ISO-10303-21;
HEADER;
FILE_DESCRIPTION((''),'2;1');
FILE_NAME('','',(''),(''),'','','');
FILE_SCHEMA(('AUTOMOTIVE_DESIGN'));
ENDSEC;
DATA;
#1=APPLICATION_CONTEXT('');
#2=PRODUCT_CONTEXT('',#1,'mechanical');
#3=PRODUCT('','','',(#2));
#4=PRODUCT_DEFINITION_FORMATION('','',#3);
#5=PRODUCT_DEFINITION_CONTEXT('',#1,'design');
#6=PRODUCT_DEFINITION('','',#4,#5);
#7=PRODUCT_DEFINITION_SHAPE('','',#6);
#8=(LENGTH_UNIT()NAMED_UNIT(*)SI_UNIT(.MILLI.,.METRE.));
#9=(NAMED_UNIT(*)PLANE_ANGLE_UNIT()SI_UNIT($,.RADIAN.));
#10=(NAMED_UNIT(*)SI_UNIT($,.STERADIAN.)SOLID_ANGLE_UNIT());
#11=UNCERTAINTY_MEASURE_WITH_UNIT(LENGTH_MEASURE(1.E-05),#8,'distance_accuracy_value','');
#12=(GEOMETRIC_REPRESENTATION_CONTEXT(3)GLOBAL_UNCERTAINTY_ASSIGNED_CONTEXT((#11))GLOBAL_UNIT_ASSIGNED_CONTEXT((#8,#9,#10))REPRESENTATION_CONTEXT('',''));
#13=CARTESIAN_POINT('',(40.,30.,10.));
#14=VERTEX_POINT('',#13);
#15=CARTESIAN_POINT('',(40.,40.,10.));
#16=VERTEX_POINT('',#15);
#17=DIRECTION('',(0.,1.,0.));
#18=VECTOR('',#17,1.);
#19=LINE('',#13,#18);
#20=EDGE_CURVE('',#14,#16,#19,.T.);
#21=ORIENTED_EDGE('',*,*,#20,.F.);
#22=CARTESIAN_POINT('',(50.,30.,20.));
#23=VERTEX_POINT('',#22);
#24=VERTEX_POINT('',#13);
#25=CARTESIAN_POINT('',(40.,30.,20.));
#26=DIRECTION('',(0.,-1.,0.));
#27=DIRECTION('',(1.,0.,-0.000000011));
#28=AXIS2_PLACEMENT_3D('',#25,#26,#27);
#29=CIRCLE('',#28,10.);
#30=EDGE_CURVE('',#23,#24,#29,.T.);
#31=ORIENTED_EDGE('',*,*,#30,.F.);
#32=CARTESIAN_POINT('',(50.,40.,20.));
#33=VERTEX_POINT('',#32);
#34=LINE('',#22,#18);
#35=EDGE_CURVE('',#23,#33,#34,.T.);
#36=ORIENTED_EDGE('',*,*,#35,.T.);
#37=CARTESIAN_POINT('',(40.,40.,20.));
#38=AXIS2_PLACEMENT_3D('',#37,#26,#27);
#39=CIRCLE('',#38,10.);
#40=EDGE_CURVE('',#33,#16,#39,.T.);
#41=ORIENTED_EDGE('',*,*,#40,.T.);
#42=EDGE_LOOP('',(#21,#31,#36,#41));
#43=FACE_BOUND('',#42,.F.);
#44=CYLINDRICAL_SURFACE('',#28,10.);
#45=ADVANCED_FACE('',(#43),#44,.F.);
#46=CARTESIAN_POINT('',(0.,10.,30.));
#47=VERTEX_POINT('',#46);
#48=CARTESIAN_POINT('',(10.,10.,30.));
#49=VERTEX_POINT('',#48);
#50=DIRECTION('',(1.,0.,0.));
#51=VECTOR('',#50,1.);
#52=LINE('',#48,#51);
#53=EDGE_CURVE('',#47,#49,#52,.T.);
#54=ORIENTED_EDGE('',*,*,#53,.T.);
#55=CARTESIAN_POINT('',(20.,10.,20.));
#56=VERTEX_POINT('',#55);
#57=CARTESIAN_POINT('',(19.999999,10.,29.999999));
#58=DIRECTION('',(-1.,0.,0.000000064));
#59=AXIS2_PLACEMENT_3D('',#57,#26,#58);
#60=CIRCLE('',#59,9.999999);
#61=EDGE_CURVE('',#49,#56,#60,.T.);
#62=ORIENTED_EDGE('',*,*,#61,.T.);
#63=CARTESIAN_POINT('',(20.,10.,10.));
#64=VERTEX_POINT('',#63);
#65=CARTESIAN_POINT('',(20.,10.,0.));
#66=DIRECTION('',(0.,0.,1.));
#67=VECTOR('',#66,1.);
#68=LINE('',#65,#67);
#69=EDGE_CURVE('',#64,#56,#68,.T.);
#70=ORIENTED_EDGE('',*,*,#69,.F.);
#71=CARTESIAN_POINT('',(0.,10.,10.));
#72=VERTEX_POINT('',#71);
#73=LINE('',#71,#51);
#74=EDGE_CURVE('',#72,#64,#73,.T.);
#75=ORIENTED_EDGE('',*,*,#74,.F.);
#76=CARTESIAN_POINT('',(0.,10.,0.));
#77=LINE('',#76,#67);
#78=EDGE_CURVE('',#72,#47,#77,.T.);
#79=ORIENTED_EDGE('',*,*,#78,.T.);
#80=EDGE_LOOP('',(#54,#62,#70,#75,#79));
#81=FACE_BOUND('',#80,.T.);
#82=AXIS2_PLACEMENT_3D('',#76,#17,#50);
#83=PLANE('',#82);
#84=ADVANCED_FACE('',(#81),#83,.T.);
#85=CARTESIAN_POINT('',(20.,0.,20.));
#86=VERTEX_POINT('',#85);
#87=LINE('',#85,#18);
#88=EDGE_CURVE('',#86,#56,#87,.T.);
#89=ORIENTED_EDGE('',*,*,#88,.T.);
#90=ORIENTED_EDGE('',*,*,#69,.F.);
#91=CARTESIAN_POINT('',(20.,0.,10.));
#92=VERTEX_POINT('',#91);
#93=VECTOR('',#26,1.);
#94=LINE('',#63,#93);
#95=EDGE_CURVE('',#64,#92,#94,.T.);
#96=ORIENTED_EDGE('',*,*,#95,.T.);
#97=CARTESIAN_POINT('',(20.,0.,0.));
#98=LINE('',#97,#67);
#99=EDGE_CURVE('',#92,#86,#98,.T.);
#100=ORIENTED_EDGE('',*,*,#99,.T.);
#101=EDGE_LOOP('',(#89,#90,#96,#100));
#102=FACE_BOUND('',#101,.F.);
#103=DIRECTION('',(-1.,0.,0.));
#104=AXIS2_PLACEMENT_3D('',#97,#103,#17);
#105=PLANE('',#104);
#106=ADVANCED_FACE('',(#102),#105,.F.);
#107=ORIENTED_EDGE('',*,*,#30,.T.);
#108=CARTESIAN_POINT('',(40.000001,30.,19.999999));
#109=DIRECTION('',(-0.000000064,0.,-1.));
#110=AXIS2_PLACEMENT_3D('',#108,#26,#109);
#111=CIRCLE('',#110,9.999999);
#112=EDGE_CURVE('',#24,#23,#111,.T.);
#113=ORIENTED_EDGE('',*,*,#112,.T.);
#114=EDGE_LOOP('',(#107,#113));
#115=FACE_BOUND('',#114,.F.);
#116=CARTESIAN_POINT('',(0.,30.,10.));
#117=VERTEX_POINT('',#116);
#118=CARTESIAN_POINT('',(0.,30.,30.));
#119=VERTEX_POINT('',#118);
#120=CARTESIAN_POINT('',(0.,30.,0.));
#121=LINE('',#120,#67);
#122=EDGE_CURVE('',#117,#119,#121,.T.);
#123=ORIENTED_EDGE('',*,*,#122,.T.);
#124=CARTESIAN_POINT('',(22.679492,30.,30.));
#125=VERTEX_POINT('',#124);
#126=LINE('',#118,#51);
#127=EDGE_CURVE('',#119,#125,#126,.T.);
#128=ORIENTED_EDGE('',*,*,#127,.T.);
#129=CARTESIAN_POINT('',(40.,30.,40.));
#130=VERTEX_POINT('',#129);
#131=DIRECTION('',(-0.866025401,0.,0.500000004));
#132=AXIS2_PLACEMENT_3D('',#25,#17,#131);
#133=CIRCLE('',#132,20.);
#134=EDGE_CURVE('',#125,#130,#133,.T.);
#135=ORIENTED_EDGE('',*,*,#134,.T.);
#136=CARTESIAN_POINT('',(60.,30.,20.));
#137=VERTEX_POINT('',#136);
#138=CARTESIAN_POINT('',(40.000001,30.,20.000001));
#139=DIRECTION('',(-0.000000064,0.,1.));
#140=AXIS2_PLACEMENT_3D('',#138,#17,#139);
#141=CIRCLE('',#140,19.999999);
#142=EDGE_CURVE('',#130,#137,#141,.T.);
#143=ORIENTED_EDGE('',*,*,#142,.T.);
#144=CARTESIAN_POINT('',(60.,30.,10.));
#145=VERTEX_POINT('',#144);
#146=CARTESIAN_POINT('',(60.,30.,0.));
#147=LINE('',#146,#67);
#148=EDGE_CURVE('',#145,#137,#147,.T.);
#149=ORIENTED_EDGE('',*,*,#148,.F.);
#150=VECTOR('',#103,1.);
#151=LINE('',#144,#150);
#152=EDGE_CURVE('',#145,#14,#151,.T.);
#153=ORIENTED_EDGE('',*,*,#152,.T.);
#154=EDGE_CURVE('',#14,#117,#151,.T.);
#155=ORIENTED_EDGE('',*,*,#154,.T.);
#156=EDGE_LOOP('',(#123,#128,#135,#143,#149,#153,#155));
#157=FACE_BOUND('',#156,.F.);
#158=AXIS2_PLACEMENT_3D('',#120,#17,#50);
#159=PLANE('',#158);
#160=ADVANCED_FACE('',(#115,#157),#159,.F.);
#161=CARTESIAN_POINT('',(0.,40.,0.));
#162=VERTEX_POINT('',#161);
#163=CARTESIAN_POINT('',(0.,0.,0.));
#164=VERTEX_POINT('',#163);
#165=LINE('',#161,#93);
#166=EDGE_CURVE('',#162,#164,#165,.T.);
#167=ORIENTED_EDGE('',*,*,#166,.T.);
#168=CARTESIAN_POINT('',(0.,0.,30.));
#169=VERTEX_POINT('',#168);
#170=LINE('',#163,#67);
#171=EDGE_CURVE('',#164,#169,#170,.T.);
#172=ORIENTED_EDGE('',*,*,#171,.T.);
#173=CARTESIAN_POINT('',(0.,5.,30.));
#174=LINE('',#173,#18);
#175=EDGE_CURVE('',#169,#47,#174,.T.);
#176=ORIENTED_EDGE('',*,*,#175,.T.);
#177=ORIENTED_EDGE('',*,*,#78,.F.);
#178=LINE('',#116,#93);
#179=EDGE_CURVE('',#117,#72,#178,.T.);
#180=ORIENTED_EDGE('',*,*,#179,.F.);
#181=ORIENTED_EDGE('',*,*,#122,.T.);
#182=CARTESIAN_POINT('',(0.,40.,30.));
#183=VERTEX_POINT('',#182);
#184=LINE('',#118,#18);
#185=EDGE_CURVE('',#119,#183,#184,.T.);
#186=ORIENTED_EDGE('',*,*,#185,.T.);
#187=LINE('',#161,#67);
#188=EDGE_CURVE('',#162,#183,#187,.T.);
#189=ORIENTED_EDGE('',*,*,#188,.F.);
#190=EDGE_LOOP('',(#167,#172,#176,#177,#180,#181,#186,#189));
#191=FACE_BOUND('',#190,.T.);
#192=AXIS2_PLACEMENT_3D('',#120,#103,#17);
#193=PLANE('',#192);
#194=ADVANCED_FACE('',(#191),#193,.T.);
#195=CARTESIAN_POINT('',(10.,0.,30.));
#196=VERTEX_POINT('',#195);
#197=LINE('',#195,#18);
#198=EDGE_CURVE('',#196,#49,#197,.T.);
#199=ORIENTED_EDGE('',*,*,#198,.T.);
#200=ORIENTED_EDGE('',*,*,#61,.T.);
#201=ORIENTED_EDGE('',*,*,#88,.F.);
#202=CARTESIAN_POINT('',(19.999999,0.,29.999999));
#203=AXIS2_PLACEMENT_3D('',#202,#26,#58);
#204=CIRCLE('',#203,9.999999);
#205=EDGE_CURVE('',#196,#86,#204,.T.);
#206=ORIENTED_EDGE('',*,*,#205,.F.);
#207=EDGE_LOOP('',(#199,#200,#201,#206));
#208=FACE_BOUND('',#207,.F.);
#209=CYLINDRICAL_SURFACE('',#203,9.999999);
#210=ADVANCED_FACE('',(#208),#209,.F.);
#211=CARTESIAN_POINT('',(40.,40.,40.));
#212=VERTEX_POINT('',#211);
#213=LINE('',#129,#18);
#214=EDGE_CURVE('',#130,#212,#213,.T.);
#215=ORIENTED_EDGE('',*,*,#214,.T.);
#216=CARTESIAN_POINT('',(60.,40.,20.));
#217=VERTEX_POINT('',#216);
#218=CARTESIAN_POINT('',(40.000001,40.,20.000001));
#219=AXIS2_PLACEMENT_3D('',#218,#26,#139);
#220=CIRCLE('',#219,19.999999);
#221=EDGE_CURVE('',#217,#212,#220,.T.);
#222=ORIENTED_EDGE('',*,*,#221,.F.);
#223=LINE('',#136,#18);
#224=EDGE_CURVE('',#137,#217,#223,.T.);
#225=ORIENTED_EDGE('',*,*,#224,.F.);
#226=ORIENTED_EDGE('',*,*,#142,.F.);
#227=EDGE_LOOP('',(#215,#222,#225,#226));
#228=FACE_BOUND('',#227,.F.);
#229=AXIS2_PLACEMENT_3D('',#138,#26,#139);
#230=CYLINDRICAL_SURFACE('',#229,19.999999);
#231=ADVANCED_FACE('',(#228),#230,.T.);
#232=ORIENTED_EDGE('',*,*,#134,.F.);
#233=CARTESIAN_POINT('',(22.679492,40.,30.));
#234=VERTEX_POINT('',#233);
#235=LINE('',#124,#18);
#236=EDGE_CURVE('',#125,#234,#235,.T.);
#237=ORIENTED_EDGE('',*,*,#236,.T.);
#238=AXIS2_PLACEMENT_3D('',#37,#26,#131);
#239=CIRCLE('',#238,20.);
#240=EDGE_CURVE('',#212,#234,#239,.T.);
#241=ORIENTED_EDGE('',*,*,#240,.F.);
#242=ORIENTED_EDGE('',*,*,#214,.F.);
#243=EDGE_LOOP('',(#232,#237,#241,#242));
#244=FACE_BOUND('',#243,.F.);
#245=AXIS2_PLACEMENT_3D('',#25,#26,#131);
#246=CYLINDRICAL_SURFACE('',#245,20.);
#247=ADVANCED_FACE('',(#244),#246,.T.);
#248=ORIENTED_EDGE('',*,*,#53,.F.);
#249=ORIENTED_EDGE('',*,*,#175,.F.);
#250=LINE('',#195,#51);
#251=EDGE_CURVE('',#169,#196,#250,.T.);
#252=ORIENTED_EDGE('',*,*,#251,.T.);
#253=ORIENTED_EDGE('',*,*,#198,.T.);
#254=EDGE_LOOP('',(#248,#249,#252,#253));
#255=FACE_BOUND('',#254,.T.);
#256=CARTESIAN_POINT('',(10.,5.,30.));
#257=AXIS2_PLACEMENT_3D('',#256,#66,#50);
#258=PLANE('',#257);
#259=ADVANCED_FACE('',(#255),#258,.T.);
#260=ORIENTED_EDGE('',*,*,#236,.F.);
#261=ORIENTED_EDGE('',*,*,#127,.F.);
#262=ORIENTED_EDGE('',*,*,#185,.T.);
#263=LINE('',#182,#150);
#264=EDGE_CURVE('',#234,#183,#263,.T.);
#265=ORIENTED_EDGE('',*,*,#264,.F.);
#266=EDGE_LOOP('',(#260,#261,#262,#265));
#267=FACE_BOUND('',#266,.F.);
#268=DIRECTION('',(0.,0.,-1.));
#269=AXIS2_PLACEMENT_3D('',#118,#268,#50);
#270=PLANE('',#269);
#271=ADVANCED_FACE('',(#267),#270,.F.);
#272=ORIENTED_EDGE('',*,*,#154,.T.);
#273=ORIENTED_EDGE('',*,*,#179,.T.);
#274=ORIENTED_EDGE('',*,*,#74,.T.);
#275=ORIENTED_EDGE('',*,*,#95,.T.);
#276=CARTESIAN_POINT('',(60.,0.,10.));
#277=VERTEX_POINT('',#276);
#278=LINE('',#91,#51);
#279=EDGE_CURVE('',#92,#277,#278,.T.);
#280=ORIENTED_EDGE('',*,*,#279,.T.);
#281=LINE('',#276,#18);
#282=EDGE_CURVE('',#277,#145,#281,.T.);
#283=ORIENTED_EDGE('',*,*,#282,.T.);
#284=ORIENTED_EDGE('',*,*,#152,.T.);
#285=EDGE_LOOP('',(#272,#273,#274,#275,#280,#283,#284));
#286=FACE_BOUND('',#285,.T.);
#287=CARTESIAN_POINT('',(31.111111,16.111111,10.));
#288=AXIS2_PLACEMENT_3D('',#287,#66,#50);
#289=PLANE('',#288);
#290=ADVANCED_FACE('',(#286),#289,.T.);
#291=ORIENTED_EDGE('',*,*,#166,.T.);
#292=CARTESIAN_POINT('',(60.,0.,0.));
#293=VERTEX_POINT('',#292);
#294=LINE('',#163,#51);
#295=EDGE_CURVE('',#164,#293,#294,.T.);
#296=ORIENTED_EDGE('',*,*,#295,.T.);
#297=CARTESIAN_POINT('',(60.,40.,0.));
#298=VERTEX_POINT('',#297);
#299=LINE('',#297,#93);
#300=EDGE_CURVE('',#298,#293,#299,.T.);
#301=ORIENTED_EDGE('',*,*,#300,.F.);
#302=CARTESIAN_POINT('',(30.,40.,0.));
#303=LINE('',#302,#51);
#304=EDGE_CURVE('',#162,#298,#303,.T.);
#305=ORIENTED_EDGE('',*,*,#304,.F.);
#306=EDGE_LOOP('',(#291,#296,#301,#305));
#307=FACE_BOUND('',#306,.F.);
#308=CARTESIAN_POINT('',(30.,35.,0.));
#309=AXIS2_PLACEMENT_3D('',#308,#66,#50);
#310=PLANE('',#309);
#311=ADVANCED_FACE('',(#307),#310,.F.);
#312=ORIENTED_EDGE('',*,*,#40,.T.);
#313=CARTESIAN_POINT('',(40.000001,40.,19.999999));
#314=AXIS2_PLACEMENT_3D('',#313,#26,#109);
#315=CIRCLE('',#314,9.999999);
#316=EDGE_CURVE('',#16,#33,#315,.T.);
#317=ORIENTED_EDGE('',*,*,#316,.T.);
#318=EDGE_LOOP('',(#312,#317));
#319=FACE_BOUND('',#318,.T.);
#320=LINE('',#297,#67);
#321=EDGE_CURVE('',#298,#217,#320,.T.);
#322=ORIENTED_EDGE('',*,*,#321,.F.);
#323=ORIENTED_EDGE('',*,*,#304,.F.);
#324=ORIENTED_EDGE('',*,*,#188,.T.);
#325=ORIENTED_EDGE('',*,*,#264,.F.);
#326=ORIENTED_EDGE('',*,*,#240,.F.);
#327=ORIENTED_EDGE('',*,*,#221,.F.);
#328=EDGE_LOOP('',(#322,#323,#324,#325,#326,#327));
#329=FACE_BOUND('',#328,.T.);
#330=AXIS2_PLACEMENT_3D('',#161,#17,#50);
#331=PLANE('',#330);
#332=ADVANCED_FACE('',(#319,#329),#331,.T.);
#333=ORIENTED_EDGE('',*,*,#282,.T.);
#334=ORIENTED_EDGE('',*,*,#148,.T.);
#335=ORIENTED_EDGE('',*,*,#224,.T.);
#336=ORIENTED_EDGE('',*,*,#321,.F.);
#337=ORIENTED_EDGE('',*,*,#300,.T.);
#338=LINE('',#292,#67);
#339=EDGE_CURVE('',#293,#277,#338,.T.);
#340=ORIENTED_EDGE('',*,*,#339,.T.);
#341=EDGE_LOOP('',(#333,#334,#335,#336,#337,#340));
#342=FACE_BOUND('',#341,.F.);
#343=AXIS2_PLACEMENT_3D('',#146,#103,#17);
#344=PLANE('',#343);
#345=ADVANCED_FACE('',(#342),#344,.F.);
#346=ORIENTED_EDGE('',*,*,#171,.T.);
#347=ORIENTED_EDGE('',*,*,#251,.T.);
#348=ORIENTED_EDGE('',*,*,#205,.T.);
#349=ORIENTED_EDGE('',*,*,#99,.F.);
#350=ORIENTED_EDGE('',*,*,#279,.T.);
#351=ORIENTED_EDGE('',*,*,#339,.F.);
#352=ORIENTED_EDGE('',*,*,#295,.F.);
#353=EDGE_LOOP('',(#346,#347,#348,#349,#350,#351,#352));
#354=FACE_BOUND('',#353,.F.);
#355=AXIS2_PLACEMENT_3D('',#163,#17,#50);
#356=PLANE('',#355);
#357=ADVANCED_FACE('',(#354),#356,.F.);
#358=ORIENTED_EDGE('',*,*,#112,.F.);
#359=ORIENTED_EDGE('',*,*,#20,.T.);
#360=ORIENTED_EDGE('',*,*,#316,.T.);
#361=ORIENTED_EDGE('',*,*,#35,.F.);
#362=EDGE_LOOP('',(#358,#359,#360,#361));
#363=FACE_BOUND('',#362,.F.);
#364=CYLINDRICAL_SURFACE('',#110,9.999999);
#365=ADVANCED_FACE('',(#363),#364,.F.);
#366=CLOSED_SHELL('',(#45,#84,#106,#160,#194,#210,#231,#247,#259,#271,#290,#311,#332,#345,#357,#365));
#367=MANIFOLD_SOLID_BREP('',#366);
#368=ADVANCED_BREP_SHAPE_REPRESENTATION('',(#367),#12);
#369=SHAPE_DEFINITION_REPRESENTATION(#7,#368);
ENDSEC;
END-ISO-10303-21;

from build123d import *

# Parameters (mm, degrees)
F1_DEPTH = 10
F0_W     = 20
F0_H     = 10
F2_DEPTH = 30
F0_W_2   = 60
F3_DEPTH = 40
F5_DEPTH = 10
F7_DEPTH = 10.001
F8_DEPTH = 10.001


with BuildPart() as f1:
    # F0 (on Top) → F1 (new body)
    with BuildSketch(Plane.XY):
        Polygon((20, 10), (20, 0), (60, 0), (60, 30), (0, 30), (0, 10), align=None)
    extrude(amount=F1_DEPTH)

    # F0 (on Top) → F2 (join)
    with BuildSketch(Plane.XY):
        with Locations((10, 5)):
            Rectangle(F0_W, F0_H)
    extrude(amount=F2_DEPTH)

    # F0 (on Top) → F3 (join)
    with BuildSketch(Plane.XY):
        with Locations((30, 35)):
            Rectangle(F0_W_2, F0_H)
    extrude(amount=F3_DEPTH)

    # F4 (on face) → F5 (cut, through all)
    with BuildSketch(Plane.XZ):
        with BuildLine():
            Line((20, 30), (10, 30))
            ThreePointArc((10, 30), (12.928932, 22.928932), (20, 20))
            Line((20, 20), (20, 30))
        make_face()
    extrude(amount=-F5_DEPTH, mode=Mode.SUBTRACT)

    # F6 (on face) → F7 (cut, through all)
    with BuildSketch(Plane.XZ.offset(-30)):
        with BuildLine():
            ThreePointArc((22.679492, 30), (30, 37.320508), (40, 40))
            Line((40, 40), (0, 40))
            Line((0, 40), (0, 30))
            Line((0, 30), (22.679492, 30))
        make_face()
        with BuildLine():
            ThreePointArc((40, 40), (54.142136, 34.142136), (60, 20))
            Line((60, 20), (60, 40))
            Line((60, 40), (40, 40))
        make_face()
    extrude(amount=-F7_DEPTH, mode=Mode.SUBTRACT)

    # F6 (on face) → F8 (cut, through all)
    with BuildSketch(Plane.XZ.offset(-30)):
        with BuildLine():
            ThreePointArc((50, 20), (32.928932, 27.071068), (40, 10))
            ThreePointArc((40, 10), (47.071068, 12.928932), (50, 20))
        make_face()
    extrude(amount=-F8_DEPTH, mode=Mode.SUBTRACT)


solid = f1.part
